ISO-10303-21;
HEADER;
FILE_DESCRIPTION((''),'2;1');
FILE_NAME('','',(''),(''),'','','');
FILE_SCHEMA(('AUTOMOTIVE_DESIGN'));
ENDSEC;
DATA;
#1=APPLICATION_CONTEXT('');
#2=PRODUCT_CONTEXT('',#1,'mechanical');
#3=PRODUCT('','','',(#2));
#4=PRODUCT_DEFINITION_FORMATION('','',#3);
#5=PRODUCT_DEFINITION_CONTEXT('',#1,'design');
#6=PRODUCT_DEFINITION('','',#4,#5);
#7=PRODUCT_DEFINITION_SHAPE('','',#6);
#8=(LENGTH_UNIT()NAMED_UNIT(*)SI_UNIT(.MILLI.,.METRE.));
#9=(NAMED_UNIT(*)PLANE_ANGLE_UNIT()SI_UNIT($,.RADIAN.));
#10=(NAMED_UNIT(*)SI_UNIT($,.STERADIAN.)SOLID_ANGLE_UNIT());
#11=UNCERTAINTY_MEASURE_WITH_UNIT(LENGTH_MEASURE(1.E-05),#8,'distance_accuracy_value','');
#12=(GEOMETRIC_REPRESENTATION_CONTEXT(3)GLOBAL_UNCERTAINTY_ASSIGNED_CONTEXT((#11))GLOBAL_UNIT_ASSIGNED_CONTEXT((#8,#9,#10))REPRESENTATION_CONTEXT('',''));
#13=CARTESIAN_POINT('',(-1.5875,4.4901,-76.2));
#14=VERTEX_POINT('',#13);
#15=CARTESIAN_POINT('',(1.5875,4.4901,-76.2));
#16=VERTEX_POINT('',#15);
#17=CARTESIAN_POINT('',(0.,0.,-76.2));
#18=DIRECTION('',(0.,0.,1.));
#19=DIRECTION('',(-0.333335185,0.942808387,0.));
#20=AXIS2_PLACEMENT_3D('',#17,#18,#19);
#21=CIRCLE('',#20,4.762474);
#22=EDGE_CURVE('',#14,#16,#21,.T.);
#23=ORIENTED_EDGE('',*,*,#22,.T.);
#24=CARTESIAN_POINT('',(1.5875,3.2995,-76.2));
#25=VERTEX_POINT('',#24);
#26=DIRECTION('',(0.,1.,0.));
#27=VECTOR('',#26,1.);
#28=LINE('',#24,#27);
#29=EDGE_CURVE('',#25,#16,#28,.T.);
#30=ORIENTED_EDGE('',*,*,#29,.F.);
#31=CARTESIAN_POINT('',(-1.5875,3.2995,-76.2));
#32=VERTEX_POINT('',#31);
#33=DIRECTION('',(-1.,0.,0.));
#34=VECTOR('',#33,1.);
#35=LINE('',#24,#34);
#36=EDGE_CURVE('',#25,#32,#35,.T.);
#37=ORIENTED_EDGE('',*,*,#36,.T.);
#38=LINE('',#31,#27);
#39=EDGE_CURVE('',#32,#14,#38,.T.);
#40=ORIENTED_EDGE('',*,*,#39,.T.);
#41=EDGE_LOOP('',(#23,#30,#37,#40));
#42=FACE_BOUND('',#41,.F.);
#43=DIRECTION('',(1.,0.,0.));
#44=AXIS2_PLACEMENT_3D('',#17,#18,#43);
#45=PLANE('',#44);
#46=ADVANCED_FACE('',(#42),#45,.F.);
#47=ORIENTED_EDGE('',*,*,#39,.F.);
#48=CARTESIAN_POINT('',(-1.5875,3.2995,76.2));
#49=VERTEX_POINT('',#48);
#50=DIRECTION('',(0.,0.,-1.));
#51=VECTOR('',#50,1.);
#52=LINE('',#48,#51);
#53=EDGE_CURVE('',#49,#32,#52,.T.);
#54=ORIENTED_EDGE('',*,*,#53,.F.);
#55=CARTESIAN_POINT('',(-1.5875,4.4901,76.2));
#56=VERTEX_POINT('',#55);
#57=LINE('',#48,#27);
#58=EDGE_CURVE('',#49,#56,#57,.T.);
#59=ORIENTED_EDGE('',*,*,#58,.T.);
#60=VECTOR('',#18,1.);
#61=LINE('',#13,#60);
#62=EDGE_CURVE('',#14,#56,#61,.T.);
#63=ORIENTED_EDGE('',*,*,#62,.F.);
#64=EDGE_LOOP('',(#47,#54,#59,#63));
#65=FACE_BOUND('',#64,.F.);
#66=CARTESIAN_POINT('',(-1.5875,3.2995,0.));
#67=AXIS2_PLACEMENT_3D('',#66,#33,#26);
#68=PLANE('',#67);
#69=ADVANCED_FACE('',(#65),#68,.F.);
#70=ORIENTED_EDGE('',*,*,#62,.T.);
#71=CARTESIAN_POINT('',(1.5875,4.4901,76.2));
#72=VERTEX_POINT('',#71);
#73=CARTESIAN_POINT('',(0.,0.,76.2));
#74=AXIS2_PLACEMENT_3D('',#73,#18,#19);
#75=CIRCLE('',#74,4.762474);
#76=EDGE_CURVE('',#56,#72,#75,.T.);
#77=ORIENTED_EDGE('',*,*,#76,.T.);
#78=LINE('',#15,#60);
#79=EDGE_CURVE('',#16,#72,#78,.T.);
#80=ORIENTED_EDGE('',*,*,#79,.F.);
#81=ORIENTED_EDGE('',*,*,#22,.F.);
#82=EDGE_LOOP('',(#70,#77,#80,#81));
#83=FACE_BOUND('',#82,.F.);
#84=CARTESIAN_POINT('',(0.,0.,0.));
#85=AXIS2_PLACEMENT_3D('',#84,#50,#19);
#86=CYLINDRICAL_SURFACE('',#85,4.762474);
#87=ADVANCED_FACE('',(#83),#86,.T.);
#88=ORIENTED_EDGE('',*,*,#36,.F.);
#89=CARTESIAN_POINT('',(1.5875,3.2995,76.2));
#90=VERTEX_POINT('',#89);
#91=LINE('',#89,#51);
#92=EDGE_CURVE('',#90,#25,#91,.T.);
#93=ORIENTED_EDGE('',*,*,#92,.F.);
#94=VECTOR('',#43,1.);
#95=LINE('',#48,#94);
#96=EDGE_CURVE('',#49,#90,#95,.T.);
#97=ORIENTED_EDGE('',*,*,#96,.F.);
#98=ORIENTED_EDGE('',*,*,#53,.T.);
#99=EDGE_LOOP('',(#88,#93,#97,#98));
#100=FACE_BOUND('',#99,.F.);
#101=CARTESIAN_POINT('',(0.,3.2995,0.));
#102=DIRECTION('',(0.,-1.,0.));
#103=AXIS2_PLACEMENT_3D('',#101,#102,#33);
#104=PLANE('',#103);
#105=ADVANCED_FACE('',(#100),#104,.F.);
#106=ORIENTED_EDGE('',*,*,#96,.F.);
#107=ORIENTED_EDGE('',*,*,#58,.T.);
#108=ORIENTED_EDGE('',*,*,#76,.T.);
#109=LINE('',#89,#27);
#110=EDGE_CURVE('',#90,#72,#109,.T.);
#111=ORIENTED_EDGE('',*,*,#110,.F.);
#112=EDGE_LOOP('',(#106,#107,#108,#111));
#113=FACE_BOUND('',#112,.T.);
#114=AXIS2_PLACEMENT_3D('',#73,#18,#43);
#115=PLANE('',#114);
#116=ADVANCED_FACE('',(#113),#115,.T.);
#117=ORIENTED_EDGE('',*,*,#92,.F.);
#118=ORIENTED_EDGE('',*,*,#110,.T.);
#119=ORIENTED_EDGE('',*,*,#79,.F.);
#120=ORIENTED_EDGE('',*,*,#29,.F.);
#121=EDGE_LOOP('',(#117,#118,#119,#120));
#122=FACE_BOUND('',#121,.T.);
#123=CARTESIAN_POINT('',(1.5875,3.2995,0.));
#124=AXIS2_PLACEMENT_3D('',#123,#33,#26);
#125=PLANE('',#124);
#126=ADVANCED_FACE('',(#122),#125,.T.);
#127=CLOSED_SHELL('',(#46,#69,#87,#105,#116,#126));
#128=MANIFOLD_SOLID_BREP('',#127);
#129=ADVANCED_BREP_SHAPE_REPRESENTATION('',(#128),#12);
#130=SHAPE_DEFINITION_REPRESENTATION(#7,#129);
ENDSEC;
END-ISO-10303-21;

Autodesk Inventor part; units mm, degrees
ref_plane "YZ Plane" through (0, 0, 0) normal (1, 0, 0) x (0, 1, 0)
ref_plane "XZ Plane" through (0, 0, 0) normal (0, 1, 0) x (-1, 0, 0)
sketch "Sketch1" plane through (0, 0, 0) normal (0, 0, 1) x (1, 0, 0)
  arc A0 (-1.5875, 4.4901) -> (1.5875, 4.4901) centre (0, 0) ccw
  line L0 (0, 3.2995) -> (1.5875, 3.2995)
  line L1 (1.5875, 3.2995) -> (1.5875, 4.4901)
  line L2 (0, 4.7648) -> (0, 3.2995) construction
  line L3 (0, 3.2995) -> (-1.5875, 3.2995)
  line L4 (-1.5875, 3.2995) -> (-1.5875, 4.4901)
  dimension "d0" = 9.525
  dimension "d1" = 1.1906
  dimension "d2" = 1.5875
extrude "Extrusion1" add sketch "Sketch1" along normal mid plane 152.4
equation "\"d0\" = driveDiameter"
equation "\"d1\" = keyDepth"
equation "\"d2\" = halfOfKeyWidth"
equation "\"keyWidth\" = 3.175"
equation "\"halfOfKeyWidth\" = 0.5 * keyWidth"
equation "\"keyDepth\" = 1.19063"
equation "\"driveDiameter\" = 9.525"
properties part number "6x3_8-keyedDriveShaft"
